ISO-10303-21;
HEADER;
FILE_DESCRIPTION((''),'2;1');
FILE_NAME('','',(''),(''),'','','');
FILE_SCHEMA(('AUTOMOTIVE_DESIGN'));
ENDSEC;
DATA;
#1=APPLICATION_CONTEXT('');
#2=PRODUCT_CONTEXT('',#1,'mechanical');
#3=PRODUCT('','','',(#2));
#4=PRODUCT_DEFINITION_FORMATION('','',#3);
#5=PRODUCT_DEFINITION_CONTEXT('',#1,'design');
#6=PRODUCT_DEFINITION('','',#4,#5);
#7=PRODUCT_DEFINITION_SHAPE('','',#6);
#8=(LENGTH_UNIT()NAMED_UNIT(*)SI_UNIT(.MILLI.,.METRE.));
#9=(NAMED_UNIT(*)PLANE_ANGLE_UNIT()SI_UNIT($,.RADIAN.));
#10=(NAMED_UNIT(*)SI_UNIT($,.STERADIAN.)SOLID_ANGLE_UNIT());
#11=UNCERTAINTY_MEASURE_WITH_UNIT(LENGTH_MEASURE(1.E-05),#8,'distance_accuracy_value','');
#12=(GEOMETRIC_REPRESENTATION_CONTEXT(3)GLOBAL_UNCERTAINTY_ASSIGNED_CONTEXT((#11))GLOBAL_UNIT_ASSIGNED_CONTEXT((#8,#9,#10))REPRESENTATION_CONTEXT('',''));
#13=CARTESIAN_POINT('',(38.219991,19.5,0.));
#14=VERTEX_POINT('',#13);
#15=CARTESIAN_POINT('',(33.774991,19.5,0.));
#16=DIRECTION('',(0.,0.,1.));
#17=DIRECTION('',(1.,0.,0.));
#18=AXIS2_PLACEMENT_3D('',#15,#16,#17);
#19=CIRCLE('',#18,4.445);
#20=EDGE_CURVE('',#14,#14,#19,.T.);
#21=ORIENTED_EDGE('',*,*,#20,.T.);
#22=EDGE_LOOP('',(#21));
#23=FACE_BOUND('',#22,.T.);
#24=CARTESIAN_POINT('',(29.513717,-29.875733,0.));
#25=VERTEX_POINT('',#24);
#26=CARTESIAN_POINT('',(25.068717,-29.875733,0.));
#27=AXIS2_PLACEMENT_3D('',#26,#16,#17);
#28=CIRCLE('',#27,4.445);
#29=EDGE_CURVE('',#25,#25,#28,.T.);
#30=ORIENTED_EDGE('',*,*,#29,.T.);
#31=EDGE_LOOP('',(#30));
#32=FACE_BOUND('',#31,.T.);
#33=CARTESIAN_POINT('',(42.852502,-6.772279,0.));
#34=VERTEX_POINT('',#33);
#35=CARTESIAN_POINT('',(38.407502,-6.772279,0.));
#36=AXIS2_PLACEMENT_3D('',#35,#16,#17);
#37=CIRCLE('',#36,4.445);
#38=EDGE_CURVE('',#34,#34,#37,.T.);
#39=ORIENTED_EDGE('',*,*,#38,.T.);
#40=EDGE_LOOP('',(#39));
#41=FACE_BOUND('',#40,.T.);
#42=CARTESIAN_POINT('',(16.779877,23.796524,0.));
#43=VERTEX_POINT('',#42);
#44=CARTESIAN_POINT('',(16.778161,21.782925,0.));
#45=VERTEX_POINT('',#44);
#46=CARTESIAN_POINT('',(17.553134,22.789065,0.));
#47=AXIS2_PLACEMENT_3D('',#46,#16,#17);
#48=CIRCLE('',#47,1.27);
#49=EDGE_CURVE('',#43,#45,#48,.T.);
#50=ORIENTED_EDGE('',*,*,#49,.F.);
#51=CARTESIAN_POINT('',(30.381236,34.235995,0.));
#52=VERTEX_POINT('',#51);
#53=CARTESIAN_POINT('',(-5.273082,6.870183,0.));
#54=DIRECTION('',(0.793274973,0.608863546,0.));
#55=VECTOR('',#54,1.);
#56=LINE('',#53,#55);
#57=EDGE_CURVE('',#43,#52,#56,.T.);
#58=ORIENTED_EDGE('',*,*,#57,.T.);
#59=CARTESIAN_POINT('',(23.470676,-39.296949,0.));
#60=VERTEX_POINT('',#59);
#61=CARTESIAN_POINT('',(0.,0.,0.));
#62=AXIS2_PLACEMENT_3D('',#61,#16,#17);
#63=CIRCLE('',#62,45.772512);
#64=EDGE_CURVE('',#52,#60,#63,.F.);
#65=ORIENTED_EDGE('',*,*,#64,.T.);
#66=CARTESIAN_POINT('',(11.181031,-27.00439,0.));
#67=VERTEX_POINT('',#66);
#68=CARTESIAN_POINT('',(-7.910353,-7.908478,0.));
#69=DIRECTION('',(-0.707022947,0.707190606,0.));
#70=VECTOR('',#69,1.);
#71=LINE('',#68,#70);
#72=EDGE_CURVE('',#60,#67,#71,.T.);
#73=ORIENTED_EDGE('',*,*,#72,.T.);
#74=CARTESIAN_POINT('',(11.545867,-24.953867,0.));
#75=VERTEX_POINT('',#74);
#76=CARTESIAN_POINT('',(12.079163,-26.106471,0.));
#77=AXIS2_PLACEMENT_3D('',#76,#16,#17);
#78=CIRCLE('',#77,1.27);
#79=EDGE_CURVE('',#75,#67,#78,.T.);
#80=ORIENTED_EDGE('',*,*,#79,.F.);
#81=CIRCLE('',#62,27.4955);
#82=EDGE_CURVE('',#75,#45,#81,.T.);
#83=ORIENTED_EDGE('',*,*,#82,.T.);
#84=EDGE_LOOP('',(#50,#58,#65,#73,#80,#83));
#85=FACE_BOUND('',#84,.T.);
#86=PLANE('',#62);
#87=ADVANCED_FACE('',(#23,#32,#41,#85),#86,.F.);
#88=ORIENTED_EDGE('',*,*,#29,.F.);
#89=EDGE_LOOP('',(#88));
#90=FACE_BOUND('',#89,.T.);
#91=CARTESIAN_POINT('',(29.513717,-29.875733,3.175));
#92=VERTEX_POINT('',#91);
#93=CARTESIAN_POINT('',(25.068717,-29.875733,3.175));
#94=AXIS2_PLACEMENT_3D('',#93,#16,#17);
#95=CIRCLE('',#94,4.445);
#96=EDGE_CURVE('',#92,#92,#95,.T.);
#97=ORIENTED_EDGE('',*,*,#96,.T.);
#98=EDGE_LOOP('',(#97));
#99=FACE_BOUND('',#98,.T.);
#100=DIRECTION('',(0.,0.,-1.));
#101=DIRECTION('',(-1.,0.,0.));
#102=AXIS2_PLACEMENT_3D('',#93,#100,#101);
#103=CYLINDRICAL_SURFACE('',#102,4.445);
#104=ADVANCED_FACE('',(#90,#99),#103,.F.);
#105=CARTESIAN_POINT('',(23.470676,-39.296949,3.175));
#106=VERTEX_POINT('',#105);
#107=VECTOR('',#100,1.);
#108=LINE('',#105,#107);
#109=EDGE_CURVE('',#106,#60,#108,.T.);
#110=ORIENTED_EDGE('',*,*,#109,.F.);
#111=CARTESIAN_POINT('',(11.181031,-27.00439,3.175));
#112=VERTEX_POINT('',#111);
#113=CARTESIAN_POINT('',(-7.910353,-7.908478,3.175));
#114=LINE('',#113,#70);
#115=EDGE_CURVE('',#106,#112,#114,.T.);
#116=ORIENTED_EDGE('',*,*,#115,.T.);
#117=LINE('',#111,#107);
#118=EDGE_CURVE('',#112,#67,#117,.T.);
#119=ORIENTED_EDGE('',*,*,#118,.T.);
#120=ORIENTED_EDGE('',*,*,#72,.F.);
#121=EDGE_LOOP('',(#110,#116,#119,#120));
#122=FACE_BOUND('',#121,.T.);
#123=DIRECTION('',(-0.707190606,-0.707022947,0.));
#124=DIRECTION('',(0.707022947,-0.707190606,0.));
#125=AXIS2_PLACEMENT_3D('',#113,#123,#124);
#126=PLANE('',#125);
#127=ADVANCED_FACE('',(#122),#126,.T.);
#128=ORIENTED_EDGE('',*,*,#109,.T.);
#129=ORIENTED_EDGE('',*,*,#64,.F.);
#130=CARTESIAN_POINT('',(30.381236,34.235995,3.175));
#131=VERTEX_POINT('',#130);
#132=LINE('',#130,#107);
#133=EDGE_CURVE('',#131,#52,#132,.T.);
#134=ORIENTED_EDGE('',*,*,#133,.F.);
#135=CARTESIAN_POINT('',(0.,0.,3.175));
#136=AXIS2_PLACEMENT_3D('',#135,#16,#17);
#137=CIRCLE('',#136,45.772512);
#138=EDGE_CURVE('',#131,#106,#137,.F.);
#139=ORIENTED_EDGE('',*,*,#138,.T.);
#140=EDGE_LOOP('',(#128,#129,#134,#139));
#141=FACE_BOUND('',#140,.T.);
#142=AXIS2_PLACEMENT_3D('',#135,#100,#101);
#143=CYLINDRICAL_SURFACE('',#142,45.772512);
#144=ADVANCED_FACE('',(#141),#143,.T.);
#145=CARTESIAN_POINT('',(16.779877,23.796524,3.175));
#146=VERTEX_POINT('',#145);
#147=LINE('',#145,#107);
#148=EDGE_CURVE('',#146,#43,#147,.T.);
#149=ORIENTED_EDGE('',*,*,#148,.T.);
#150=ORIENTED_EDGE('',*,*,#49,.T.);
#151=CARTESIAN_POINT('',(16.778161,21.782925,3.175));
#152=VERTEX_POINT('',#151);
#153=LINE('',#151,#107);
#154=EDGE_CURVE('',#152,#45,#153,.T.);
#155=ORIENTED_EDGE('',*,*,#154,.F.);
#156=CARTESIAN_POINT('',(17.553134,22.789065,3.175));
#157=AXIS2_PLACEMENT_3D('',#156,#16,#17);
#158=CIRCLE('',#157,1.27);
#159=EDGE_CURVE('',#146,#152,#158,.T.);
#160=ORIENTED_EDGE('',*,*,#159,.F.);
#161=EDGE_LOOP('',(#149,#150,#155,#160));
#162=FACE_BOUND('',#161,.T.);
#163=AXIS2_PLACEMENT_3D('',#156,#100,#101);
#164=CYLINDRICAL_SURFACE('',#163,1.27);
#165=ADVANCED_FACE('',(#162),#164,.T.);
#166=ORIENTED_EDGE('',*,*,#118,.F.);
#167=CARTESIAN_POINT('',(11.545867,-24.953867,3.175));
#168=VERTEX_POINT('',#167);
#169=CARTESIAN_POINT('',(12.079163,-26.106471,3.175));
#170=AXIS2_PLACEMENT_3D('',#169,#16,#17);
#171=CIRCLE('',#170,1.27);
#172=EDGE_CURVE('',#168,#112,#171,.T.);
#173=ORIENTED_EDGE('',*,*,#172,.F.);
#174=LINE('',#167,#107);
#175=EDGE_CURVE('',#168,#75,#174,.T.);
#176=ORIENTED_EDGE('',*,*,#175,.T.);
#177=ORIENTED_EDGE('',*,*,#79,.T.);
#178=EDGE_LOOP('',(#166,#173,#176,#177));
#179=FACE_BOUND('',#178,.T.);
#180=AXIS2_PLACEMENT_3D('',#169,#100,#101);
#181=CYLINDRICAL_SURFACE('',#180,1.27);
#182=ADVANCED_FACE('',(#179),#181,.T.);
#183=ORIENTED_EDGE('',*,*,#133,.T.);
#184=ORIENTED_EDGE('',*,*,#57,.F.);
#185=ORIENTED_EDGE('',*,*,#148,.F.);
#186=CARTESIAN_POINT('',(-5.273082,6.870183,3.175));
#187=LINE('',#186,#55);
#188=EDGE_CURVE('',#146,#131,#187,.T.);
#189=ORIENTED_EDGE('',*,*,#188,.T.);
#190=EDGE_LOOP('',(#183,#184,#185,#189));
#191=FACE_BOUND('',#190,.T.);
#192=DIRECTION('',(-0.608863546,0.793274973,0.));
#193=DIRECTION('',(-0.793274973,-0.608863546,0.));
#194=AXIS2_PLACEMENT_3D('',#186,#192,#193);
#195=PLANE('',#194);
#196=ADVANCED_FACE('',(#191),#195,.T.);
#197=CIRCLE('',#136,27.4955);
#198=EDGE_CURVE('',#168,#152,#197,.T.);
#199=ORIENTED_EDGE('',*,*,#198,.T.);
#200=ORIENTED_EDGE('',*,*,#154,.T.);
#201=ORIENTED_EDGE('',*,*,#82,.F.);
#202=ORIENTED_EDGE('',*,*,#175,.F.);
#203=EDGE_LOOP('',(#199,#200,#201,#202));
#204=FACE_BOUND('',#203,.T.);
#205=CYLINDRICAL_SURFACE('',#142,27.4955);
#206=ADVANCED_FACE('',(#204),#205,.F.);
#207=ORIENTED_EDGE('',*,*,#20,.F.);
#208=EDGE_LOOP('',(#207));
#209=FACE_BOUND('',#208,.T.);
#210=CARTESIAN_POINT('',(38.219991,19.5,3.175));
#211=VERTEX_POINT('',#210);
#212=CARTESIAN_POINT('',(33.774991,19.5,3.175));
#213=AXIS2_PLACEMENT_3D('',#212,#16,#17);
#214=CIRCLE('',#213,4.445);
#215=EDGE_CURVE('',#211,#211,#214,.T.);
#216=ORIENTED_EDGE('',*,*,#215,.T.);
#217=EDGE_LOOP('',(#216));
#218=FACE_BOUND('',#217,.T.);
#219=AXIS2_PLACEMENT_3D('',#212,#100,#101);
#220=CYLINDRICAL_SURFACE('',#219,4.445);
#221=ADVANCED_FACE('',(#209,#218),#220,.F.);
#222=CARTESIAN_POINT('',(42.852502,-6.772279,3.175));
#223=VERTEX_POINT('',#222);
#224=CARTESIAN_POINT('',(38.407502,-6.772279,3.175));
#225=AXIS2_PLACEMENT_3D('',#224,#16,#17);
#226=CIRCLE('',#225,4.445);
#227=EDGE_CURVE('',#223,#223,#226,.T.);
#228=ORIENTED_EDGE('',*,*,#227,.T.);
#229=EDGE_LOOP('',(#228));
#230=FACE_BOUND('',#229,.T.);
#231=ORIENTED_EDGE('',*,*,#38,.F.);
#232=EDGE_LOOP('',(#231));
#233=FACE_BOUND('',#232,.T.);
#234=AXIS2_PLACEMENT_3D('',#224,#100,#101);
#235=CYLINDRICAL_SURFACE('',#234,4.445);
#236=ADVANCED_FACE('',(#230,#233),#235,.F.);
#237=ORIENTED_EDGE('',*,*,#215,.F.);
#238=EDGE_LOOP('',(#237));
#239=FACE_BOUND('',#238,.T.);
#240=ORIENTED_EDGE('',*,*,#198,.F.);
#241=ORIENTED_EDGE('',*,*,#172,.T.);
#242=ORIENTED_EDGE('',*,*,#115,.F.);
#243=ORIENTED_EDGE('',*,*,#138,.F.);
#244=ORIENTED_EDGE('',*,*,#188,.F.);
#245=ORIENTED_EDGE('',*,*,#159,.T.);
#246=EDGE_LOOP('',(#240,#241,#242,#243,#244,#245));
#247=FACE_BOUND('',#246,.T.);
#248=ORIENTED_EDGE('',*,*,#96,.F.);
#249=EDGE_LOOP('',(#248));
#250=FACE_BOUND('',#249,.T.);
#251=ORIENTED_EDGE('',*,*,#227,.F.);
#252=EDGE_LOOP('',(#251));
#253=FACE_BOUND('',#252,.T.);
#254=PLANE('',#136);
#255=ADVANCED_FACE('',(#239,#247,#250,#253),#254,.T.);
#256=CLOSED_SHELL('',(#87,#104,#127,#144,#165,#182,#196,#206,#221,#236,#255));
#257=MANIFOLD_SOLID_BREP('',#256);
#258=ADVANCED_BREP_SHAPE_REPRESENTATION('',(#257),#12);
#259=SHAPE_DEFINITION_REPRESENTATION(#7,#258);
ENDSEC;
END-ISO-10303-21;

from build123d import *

# Parameters (mm, degrees)
SKETCH6_R           = 6.5
SKETCH6_R_2         = 4.445
BOSS_EXTRUDE3_DEPTH = 3.175


with BuildPart() as part:
    # Sketch6 → Boss-Extrude3 (new body)
    # profile 1 of 4: a face of its own
    with BuildSketch(Plane.XY):
        with BuildLine():
            Line((16.779877408, 23.796523986), (30.381235635, 34.235995151))
            ThreePointArc((30.381235635, 34.235995151), (45.571708019, -4.282787757), (23.47067629, -39.296948955))
            Line((23.47067629, -39.296948955), (11.181031284, -27.004389661))
            ThreePointArc((11.181031284, -27.004389661), (10.828800328, -25.884001858), (11.545866958, -24.953866964))
            ThreePointArc((11.545866958, -24.953866964), (27.324797823, -3.059075709), (16.778161303, 21.782925045))
            ThreePointArc((16.778161303, 21.782925045), (16.283134573, 22.790147137), (16.779877408, 23.796523986))
        make_face()
        with Locations((33.774990729, 19.499999989)):
            Circle(SKETCH6_R, mode=Mode.SUBTRACT)
        with Locations((25.068716764, -29.875733265)):
            Circle(SKETCH6_R, mode=Mode.SUBTRACT)
        with Locations((38.407502346, -6.772278925)):
            Circle(SKETCH6_R, mode=Mode.SUBTRACT)
    # profile 2 of 4: a face of its own
    with BuildSketch(Plane.XY):
        with Locations((25.068716764, -29.875733265)):
            Circle(SKETCH6_R)
        with Locations((25.068716764, -29.875733265)):
            Circle(SKETCH6_R_2, mode=Mode.SUBTRACT)
    # profile 3 of 4: a face of its own
    with BuildSketch(Plane.XY):
        with Locations((38.407502346, -6.772278925)):
            Circle(SKETCH6_R)
        with Locations((38.407502346, -6.772278925)):
            Circle(SKETCH6_R_2, mode=Mode.SUBTRACT)
    # profile 4 of 4: a face of its own
    with BuildSketch(Plane.XY):
        with Locations((33.774990729, 19.499999989)):
            Circle(SKETCH6_R)
        with Locations((33.774990729, 19.499999989)):
            Circle(SKETCH6_R_2, mode=Mode.SUBTRACT)
    extrude(amount=BOSS_EXTRUDE3_DEPTH)


solid = part.part
